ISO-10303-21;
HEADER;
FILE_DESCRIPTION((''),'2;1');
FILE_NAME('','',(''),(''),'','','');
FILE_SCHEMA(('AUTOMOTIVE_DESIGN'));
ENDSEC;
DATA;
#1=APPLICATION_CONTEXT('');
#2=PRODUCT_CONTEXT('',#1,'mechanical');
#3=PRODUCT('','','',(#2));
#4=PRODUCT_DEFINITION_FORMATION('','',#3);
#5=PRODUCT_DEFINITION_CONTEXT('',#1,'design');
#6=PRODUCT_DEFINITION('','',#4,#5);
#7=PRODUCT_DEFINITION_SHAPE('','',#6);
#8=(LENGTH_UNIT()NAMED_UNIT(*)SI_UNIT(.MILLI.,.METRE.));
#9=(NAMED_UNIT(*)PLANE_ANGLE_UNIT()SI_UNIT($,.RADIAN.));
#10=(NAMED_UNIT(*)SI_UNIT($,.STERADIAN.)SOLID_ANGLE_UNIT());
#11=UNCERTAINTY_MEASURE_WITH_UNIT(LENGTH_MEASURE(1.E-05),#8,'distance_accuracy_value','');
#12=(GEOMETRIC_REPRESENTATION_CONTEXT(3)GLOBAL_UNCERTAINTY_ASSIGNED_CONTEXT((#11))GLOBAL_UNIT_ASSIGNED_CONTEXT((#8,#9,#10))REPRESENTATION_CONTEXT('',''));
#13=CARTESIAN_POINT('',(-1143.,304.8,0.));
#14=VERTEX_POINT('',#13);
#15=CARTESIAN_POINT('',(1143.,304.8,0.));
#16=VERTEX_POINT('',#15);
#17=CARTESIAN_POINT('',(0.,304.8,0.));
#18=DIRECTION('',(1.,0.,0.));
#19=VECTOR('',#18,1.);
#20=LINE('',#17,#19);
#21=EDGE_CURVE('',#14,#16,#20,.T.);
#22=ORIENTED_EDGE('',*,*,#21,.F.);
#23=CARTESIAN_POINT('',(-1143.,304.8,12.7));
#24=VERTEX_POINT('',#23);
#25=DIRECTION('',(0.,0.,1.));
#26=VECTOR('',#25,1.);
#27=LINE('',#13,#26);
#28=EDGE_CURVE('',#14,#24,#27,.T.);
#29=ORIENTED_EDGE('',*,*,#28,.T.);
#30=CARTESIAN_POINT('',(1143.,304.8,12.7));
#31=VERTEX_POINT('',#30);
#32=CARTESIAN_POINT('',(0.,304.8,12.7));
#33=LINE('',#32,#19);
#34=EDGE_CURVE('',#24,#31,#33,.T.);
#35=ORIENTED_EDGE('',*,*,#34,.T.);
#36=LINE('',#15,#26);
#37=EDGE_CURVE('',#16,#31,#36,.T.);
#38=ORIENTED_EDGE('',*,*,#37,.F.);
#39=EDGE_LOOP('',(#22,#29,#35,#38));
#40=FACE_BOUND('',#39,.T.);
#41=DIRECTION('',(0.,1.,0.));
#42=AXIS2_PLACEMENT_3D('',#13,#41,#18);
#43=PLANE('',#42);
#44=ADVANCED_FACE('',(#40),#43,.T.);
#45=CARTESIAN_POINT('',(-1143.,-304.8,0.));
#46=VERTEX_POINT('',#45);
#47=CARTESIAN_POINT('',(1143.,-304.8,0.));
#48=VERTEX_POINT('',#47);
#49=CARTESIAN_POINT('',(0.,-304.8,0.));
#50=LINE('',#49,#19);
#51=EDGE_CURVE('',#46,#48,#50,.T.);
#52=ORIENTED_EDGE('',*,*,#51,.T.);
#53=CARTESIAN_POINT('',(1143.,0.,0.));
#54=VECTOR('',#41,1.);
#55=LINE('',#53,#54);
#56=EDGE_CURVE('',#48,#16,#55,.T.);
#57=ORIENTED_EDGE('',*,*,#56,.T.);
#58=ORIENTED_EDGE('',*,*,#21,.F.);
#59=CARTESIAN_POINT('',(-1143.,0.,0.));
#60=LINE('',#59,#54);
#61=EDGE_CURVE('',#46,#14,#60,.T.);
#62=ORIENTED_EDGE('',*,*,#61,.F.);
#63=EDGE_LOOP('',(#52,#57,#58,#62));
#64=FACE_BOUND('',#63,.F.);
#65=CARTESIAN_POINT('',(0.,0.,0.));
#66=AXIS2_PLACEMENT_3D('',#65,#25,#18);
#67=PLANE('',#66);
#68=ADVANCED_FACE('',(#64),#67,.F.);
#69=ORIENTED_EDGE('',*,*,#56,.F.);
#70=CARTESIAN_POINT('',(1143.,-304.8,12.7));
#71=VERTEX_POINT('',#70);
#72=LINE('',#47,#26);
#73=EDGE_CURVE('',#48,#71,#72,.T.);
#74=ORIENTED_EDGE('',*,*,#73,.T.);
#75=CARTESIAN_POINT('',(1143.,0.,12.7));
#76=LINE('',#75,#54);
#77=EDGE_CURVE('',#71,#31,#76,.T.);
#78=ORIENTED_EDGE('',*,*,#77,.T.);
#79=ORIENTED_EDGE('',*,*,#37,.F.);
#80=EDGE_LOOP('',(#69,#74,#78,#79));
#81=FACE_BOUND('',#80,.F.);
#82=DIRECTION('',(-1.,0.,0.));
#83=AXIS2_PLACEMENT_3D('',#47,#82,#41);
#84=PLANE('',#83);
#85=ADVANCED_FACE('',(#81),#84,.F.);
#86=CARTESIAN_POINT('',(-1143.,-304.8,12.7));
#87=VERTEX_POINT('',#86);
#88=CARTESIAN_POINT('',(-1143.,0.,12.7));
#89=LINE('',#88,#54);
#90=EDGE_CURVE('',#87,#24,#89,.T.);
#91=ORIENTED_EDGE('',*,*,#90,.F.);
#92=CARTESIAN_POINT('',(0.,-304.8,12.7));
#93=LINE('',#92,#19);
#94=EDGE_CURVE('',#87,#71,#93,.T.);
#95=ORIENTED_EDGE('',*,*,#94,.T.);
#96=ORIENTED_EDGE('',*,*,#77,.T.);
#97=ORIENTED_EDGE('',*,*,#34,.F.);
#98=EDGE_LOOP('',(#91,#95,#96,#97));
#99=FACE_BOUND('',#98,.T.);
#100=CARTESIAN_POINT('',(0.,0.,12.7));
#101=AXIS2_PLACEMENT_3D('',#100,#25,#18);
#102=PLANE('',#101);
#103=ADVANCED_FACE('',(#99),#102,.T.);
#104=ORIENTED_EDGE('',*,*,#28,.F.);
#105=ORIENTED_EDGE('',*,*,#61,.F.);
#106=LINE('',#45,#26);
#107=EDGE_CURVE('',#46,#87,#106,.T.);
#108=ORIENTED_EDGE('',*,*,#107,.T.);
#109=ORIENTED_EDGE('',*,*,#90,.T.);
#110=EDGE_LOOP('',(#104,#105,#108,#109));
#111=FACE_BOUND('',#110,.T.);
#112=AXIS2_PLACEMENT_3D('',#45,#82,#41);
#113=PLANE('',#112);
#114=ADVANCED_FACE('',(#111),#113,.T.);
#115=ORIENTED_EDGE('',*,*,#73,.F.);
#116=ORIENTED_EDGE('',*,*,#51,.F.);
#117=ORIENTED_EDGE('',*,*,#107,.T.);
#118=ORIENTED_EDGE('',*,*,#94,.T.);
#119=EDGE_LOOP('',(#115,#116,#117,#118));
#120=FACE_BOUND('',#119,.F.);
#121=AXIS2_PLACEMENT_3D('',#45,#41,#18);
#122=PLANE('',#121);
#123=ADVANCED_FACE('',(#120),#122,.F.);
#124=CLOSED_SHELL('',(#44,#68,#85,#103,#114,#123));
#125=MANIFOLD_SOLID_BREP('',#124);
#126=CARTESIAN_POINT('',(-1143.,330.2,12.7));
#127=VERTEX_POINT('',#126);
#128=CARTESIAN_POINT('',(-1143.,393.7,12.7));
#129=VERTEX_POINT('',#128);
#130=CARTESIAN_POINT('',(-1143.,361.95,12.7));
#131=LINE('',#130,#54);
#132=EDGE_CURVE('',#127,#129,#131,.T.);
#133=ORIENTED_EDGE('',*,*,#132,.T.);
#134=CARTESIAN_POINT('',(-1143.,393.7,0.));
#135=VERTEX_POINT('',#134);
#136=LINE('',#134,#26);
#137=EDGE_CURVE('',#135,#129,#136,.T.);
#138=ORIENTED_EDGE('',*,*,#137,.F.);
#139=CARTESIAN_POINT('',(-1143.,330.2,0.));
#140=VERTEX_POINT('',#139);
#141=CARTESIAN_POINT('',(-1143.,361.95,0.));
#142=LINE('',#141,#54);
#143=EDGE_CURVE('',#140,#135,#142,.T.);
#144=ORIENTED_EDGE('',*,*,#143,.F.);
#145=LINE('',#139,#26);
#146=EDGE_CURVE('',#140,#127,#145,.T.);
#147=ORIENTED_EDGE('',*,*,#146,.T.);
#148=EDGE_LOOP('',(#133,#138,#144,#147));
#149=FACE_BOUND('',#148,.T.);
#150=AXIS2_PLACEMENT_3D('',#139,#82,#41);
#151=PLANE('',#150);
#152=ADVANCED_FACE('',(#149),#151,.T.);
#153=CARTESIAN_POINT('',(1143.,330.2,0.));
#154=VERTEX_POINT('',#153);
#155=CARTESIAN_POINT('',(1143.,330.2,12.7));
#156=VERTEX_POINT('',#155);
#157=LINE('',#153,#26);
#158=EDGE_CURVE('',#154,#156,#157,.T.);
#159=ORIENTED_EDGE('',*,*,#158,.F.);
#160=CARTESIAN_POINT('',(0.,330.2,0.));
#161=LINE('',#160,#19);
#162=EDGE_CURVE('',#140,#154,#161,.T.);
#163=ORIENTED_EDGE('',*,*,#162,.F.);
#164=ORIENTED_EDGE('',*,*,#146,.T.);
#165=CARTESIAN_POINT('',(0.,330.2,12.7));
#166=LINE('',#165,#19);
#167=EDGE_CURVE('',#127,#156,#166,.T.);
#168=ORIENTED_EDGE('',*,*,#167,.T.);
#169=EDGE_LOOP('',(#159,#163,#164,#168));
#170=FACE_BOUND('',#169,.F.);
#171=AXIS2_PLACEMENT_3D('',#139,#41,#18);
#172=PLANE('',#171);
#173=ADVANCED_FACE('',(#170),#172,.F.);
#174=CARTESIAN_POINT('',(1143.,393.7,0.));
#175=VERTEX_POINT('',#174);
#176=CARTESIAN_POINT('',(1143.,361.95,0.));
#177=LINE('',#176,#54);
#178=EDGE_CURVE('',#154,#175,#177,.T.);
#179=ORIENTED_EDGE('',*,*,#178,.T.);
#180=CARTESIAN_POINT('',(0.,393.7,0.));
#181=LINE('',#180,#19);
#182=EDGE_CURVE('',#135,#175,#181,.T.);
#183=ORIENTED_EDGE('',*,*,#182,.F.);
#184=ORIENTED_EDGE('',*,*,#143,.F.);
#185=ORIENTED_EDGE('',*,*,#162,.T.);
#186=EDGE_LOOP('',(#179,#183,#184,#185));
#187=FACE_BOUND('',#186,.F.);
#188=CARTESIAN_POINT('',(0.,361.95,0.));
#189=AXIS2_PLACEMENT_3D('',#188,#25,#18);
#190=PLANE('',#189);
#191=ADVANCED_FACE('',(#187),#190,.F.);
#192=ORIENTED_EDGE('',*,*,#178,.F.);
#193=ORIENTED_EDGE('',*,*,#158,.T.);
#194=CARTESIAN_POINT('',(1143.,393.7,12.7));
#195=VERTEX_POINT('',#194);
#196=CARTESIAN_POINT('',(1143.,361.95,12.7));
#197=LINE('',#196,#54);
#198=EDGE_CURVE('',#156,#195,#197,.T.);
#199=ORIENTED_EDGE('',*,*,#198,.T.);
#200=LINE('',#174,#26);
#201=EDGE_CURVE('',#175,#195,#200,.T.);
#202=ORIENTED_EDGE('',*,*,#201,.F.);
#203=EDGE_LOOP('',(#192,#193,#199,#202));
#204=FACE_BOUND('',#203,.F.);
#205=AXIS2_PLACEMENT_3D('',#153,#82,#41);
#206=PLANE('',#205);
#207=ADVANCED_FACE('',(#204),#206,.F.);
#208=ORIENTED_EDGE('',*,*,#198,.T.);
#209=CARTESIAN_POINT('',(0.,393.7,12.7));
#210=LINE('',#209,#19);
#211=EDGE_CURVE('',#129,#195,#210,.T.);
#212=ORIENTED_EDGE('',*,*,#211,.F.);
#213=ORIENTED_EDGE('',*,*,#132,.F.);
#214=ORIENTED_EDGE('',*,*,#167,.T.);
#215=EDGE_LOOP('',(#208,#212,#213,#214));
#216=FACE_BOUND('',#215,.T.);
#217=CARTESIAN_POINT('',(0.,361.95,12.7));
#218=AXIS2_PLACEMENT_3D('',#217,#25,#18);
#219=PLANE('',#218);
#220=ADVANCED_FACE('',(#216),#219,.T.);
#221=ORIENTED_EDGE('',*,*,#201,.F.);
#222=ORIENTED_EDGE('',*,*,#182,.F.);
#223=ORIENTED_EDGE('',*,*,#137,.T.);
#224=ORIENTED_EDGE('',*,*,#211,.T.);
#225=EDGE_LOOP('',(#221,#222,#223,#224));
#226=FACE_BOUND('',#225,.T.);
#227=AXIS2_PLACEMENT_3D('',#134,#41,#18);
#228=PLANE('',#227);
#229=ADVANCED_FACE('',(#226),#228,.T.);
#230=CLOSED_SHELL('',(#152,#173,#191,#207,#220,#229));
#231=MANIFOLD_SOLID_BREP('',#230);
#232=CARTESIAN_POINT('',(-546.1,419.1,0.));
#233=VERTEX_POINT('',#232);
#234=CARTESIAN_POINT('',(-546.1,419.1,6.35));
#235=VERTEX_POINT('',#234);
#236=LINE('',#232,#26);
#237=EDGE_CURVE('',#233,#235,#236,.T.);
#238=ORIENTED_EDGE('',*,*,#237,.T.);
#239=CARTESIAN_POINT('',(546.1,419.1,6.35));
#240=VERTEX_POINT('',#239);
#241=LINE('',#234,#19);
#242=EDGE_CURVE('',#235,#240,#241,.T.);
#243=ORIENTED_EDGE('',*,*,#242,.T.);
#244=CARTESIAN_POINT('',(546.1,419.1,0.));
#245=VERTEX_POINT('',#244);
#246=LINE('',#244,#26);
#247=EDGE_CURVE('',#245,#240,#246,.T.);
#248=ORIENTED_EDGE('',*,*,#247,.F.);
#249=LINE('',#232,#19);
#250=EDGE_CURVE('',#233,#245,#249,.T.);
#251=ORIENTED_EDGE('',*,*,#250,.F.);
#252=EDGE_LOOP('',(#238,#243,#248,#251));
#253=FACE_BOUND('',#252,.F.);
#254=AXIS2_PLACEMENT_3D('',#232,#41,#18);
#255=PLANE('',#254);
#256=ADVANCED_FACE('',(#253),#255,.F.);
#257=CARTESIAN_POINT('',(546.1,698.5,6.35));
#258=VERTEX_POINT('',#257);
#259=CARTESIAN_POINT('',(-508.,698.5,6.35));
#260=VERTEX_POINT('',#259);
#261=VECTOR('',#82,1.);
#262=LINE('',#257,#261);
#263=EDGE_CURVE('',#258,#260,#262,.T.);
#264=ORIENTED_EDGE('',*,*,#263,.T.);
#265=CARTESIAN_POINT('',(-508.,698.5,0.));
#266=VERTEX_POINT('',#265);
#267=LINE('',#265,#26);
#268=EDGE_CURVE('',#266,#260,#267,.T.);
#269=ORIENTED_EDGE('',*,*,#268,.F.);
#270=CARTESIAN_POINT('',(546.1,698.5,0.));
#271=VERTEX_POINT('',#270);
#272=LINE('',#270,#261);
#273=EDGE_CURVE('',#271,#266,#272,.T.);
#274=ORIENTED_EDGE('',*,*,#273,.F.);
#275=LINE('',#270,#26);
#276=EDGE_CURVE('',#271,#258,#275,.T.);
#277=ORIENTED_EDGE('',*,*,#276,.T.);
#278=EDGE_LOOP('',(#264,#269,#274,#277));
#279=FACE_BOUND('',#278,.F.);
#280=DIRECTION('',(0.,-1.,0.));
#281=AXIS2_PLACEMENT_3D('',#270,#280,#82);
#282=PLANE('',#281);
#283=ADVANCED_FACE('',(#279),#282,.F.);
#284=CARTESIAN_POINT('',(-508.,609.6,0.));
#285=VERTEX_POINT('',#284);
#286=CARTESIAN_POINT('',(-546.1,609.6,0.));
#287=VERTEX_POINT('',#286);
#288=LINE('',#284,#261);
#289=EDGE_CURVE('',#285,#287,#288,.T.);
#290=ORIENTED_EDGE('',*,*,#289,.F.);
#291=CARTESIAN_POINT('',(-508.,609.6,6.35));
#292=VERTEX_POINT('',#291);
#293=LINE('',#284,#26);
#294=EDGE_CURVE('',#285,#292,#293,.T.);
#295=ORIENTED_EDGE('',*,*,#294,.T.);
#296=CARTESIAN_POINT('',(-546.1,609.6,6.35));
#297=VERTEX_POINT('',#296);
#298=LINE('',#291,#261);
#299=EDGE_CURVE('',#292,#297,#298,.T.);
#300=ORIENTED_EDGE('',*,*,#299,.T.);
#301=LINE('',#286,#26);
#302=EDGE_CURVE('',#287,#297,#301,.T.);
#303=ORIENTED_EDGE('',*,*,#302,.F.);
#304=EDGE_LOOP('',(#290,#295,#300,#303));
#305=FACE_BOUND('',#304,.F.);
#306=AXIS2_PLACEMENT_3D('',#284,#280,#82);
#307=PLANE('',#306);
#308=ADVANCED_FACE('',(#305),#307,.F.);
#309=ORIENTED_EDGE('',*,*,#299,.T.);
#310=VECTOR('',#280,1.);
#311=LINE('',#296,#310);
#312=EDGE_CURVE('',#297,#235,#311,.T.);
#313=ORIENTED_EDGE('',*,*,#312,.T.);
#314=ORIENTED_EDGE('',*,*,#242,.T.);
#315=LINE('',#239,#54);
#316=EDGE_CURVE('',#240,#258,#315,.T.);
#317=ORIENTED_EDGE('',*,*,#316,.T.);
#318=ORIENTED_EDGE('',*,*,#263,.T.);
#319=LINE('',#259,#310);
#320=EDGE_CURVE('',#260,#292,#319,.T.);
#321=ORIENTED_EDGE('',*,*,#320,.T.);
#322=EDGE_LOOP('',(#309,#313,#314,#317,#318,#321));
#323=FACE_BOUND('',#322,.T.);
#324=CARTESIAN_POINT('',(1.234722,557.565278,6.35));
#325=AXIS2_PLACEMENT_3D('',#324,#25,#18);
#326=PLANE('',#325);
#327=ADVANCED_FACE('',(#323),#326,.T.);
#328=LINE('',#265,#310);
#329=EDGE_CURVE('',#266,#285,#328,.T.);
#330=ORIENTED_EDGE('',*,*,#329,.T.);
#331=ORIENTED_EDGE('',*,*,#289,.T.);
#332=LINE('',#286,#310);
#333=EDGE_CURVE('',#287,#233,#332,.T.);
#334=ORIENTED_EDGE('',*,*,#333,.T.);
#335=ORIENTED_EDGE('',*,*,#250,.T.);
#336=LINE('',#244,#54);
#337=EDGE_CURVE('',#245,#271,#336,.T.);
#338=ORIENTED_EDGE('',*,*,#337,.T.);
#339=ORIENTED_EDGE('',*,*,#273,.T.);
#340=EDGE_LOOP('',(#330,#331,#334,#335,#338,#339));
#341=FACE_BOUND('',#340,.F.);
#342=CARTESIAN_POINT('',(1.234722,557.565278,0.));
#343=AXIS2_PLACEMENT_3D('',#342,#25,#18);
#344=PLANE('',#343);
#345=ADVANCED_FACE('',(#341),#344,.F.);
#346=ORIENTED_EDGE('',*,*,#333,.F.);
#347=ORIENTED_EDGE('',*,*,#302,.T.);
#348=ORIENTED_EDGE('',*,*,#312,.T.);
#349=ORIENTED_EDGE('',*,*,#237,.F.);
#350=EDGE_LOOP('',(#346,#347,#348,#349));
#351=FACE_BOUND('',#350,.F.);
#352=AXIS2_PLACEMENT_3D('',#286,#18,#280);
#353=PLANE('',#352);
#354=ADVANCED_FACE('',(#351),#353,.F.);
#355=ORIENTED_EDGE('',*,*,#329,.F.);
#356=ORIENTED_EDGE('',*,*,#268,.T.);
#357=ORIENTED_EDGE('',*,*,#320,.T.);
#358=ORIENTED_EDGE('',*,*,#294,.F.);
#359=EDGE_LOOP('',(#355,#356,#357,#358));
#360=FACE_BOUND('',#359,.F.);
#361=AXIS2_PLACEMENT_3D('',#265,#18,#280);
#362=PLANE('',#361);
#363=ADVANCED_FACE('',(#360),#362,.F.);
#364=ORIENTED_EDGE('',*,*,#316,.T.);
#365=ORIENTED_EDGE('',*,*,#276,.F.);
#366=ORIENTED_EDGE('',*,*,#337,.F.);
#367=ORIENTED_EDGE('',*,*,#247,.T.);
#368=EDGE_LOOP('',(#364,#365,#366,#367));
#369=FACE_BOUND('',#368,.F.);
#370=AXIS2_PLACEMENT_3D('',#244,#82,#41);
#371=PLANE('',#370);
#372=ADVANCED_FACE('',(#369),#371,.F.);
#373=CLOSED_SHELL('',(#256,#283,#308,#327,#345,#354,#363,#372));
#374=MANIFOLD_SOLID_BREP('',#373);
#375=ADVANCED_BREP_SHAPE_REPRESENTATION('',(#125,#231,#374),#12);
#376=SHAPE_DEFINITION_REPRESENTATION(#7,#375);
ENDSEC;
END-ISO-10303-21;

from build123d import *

# Parameters (mm, degrees)
F0_W     = 2286
F0_H     = 609.6
F1_DEPTH = 12.7
F2_W     = 2286
F2_H     = 63.5
F3_DEPTH = 12.7
F5_DEPTH = 6.35


with BuildPart() as f1:
    # F0 (on Top) → F1 (new body)
    with BuildSketch(Plane.XY):
        Rectangle(F0_W, F0_H)
    extrude(amount=F1_DEPTH)


with BuildPart() as f3:
    # F2 (on Top) → F3 (new body, through all)
    with BuildSketch(Plane.XY):
        with Locations((0, 361.95)):
            Rectangle(F2_W, F2_H)
    extrude(amount=F3_DEPTH)


with BuildPart() as f5:
    # F4 (on Top) → F5 (new body)
    with BuildSketch(Plane.XY):
        Polygon((546.1, 419.1), (546.1, 698.5), (-508, 698.5), (-508, 609.6), (-546.1, 609.6), (-546.1, 419.1), align=None)
    extrude(amount=F5_DEPTH)


solid = Compound([f1.part, f3.part, f5.part])
